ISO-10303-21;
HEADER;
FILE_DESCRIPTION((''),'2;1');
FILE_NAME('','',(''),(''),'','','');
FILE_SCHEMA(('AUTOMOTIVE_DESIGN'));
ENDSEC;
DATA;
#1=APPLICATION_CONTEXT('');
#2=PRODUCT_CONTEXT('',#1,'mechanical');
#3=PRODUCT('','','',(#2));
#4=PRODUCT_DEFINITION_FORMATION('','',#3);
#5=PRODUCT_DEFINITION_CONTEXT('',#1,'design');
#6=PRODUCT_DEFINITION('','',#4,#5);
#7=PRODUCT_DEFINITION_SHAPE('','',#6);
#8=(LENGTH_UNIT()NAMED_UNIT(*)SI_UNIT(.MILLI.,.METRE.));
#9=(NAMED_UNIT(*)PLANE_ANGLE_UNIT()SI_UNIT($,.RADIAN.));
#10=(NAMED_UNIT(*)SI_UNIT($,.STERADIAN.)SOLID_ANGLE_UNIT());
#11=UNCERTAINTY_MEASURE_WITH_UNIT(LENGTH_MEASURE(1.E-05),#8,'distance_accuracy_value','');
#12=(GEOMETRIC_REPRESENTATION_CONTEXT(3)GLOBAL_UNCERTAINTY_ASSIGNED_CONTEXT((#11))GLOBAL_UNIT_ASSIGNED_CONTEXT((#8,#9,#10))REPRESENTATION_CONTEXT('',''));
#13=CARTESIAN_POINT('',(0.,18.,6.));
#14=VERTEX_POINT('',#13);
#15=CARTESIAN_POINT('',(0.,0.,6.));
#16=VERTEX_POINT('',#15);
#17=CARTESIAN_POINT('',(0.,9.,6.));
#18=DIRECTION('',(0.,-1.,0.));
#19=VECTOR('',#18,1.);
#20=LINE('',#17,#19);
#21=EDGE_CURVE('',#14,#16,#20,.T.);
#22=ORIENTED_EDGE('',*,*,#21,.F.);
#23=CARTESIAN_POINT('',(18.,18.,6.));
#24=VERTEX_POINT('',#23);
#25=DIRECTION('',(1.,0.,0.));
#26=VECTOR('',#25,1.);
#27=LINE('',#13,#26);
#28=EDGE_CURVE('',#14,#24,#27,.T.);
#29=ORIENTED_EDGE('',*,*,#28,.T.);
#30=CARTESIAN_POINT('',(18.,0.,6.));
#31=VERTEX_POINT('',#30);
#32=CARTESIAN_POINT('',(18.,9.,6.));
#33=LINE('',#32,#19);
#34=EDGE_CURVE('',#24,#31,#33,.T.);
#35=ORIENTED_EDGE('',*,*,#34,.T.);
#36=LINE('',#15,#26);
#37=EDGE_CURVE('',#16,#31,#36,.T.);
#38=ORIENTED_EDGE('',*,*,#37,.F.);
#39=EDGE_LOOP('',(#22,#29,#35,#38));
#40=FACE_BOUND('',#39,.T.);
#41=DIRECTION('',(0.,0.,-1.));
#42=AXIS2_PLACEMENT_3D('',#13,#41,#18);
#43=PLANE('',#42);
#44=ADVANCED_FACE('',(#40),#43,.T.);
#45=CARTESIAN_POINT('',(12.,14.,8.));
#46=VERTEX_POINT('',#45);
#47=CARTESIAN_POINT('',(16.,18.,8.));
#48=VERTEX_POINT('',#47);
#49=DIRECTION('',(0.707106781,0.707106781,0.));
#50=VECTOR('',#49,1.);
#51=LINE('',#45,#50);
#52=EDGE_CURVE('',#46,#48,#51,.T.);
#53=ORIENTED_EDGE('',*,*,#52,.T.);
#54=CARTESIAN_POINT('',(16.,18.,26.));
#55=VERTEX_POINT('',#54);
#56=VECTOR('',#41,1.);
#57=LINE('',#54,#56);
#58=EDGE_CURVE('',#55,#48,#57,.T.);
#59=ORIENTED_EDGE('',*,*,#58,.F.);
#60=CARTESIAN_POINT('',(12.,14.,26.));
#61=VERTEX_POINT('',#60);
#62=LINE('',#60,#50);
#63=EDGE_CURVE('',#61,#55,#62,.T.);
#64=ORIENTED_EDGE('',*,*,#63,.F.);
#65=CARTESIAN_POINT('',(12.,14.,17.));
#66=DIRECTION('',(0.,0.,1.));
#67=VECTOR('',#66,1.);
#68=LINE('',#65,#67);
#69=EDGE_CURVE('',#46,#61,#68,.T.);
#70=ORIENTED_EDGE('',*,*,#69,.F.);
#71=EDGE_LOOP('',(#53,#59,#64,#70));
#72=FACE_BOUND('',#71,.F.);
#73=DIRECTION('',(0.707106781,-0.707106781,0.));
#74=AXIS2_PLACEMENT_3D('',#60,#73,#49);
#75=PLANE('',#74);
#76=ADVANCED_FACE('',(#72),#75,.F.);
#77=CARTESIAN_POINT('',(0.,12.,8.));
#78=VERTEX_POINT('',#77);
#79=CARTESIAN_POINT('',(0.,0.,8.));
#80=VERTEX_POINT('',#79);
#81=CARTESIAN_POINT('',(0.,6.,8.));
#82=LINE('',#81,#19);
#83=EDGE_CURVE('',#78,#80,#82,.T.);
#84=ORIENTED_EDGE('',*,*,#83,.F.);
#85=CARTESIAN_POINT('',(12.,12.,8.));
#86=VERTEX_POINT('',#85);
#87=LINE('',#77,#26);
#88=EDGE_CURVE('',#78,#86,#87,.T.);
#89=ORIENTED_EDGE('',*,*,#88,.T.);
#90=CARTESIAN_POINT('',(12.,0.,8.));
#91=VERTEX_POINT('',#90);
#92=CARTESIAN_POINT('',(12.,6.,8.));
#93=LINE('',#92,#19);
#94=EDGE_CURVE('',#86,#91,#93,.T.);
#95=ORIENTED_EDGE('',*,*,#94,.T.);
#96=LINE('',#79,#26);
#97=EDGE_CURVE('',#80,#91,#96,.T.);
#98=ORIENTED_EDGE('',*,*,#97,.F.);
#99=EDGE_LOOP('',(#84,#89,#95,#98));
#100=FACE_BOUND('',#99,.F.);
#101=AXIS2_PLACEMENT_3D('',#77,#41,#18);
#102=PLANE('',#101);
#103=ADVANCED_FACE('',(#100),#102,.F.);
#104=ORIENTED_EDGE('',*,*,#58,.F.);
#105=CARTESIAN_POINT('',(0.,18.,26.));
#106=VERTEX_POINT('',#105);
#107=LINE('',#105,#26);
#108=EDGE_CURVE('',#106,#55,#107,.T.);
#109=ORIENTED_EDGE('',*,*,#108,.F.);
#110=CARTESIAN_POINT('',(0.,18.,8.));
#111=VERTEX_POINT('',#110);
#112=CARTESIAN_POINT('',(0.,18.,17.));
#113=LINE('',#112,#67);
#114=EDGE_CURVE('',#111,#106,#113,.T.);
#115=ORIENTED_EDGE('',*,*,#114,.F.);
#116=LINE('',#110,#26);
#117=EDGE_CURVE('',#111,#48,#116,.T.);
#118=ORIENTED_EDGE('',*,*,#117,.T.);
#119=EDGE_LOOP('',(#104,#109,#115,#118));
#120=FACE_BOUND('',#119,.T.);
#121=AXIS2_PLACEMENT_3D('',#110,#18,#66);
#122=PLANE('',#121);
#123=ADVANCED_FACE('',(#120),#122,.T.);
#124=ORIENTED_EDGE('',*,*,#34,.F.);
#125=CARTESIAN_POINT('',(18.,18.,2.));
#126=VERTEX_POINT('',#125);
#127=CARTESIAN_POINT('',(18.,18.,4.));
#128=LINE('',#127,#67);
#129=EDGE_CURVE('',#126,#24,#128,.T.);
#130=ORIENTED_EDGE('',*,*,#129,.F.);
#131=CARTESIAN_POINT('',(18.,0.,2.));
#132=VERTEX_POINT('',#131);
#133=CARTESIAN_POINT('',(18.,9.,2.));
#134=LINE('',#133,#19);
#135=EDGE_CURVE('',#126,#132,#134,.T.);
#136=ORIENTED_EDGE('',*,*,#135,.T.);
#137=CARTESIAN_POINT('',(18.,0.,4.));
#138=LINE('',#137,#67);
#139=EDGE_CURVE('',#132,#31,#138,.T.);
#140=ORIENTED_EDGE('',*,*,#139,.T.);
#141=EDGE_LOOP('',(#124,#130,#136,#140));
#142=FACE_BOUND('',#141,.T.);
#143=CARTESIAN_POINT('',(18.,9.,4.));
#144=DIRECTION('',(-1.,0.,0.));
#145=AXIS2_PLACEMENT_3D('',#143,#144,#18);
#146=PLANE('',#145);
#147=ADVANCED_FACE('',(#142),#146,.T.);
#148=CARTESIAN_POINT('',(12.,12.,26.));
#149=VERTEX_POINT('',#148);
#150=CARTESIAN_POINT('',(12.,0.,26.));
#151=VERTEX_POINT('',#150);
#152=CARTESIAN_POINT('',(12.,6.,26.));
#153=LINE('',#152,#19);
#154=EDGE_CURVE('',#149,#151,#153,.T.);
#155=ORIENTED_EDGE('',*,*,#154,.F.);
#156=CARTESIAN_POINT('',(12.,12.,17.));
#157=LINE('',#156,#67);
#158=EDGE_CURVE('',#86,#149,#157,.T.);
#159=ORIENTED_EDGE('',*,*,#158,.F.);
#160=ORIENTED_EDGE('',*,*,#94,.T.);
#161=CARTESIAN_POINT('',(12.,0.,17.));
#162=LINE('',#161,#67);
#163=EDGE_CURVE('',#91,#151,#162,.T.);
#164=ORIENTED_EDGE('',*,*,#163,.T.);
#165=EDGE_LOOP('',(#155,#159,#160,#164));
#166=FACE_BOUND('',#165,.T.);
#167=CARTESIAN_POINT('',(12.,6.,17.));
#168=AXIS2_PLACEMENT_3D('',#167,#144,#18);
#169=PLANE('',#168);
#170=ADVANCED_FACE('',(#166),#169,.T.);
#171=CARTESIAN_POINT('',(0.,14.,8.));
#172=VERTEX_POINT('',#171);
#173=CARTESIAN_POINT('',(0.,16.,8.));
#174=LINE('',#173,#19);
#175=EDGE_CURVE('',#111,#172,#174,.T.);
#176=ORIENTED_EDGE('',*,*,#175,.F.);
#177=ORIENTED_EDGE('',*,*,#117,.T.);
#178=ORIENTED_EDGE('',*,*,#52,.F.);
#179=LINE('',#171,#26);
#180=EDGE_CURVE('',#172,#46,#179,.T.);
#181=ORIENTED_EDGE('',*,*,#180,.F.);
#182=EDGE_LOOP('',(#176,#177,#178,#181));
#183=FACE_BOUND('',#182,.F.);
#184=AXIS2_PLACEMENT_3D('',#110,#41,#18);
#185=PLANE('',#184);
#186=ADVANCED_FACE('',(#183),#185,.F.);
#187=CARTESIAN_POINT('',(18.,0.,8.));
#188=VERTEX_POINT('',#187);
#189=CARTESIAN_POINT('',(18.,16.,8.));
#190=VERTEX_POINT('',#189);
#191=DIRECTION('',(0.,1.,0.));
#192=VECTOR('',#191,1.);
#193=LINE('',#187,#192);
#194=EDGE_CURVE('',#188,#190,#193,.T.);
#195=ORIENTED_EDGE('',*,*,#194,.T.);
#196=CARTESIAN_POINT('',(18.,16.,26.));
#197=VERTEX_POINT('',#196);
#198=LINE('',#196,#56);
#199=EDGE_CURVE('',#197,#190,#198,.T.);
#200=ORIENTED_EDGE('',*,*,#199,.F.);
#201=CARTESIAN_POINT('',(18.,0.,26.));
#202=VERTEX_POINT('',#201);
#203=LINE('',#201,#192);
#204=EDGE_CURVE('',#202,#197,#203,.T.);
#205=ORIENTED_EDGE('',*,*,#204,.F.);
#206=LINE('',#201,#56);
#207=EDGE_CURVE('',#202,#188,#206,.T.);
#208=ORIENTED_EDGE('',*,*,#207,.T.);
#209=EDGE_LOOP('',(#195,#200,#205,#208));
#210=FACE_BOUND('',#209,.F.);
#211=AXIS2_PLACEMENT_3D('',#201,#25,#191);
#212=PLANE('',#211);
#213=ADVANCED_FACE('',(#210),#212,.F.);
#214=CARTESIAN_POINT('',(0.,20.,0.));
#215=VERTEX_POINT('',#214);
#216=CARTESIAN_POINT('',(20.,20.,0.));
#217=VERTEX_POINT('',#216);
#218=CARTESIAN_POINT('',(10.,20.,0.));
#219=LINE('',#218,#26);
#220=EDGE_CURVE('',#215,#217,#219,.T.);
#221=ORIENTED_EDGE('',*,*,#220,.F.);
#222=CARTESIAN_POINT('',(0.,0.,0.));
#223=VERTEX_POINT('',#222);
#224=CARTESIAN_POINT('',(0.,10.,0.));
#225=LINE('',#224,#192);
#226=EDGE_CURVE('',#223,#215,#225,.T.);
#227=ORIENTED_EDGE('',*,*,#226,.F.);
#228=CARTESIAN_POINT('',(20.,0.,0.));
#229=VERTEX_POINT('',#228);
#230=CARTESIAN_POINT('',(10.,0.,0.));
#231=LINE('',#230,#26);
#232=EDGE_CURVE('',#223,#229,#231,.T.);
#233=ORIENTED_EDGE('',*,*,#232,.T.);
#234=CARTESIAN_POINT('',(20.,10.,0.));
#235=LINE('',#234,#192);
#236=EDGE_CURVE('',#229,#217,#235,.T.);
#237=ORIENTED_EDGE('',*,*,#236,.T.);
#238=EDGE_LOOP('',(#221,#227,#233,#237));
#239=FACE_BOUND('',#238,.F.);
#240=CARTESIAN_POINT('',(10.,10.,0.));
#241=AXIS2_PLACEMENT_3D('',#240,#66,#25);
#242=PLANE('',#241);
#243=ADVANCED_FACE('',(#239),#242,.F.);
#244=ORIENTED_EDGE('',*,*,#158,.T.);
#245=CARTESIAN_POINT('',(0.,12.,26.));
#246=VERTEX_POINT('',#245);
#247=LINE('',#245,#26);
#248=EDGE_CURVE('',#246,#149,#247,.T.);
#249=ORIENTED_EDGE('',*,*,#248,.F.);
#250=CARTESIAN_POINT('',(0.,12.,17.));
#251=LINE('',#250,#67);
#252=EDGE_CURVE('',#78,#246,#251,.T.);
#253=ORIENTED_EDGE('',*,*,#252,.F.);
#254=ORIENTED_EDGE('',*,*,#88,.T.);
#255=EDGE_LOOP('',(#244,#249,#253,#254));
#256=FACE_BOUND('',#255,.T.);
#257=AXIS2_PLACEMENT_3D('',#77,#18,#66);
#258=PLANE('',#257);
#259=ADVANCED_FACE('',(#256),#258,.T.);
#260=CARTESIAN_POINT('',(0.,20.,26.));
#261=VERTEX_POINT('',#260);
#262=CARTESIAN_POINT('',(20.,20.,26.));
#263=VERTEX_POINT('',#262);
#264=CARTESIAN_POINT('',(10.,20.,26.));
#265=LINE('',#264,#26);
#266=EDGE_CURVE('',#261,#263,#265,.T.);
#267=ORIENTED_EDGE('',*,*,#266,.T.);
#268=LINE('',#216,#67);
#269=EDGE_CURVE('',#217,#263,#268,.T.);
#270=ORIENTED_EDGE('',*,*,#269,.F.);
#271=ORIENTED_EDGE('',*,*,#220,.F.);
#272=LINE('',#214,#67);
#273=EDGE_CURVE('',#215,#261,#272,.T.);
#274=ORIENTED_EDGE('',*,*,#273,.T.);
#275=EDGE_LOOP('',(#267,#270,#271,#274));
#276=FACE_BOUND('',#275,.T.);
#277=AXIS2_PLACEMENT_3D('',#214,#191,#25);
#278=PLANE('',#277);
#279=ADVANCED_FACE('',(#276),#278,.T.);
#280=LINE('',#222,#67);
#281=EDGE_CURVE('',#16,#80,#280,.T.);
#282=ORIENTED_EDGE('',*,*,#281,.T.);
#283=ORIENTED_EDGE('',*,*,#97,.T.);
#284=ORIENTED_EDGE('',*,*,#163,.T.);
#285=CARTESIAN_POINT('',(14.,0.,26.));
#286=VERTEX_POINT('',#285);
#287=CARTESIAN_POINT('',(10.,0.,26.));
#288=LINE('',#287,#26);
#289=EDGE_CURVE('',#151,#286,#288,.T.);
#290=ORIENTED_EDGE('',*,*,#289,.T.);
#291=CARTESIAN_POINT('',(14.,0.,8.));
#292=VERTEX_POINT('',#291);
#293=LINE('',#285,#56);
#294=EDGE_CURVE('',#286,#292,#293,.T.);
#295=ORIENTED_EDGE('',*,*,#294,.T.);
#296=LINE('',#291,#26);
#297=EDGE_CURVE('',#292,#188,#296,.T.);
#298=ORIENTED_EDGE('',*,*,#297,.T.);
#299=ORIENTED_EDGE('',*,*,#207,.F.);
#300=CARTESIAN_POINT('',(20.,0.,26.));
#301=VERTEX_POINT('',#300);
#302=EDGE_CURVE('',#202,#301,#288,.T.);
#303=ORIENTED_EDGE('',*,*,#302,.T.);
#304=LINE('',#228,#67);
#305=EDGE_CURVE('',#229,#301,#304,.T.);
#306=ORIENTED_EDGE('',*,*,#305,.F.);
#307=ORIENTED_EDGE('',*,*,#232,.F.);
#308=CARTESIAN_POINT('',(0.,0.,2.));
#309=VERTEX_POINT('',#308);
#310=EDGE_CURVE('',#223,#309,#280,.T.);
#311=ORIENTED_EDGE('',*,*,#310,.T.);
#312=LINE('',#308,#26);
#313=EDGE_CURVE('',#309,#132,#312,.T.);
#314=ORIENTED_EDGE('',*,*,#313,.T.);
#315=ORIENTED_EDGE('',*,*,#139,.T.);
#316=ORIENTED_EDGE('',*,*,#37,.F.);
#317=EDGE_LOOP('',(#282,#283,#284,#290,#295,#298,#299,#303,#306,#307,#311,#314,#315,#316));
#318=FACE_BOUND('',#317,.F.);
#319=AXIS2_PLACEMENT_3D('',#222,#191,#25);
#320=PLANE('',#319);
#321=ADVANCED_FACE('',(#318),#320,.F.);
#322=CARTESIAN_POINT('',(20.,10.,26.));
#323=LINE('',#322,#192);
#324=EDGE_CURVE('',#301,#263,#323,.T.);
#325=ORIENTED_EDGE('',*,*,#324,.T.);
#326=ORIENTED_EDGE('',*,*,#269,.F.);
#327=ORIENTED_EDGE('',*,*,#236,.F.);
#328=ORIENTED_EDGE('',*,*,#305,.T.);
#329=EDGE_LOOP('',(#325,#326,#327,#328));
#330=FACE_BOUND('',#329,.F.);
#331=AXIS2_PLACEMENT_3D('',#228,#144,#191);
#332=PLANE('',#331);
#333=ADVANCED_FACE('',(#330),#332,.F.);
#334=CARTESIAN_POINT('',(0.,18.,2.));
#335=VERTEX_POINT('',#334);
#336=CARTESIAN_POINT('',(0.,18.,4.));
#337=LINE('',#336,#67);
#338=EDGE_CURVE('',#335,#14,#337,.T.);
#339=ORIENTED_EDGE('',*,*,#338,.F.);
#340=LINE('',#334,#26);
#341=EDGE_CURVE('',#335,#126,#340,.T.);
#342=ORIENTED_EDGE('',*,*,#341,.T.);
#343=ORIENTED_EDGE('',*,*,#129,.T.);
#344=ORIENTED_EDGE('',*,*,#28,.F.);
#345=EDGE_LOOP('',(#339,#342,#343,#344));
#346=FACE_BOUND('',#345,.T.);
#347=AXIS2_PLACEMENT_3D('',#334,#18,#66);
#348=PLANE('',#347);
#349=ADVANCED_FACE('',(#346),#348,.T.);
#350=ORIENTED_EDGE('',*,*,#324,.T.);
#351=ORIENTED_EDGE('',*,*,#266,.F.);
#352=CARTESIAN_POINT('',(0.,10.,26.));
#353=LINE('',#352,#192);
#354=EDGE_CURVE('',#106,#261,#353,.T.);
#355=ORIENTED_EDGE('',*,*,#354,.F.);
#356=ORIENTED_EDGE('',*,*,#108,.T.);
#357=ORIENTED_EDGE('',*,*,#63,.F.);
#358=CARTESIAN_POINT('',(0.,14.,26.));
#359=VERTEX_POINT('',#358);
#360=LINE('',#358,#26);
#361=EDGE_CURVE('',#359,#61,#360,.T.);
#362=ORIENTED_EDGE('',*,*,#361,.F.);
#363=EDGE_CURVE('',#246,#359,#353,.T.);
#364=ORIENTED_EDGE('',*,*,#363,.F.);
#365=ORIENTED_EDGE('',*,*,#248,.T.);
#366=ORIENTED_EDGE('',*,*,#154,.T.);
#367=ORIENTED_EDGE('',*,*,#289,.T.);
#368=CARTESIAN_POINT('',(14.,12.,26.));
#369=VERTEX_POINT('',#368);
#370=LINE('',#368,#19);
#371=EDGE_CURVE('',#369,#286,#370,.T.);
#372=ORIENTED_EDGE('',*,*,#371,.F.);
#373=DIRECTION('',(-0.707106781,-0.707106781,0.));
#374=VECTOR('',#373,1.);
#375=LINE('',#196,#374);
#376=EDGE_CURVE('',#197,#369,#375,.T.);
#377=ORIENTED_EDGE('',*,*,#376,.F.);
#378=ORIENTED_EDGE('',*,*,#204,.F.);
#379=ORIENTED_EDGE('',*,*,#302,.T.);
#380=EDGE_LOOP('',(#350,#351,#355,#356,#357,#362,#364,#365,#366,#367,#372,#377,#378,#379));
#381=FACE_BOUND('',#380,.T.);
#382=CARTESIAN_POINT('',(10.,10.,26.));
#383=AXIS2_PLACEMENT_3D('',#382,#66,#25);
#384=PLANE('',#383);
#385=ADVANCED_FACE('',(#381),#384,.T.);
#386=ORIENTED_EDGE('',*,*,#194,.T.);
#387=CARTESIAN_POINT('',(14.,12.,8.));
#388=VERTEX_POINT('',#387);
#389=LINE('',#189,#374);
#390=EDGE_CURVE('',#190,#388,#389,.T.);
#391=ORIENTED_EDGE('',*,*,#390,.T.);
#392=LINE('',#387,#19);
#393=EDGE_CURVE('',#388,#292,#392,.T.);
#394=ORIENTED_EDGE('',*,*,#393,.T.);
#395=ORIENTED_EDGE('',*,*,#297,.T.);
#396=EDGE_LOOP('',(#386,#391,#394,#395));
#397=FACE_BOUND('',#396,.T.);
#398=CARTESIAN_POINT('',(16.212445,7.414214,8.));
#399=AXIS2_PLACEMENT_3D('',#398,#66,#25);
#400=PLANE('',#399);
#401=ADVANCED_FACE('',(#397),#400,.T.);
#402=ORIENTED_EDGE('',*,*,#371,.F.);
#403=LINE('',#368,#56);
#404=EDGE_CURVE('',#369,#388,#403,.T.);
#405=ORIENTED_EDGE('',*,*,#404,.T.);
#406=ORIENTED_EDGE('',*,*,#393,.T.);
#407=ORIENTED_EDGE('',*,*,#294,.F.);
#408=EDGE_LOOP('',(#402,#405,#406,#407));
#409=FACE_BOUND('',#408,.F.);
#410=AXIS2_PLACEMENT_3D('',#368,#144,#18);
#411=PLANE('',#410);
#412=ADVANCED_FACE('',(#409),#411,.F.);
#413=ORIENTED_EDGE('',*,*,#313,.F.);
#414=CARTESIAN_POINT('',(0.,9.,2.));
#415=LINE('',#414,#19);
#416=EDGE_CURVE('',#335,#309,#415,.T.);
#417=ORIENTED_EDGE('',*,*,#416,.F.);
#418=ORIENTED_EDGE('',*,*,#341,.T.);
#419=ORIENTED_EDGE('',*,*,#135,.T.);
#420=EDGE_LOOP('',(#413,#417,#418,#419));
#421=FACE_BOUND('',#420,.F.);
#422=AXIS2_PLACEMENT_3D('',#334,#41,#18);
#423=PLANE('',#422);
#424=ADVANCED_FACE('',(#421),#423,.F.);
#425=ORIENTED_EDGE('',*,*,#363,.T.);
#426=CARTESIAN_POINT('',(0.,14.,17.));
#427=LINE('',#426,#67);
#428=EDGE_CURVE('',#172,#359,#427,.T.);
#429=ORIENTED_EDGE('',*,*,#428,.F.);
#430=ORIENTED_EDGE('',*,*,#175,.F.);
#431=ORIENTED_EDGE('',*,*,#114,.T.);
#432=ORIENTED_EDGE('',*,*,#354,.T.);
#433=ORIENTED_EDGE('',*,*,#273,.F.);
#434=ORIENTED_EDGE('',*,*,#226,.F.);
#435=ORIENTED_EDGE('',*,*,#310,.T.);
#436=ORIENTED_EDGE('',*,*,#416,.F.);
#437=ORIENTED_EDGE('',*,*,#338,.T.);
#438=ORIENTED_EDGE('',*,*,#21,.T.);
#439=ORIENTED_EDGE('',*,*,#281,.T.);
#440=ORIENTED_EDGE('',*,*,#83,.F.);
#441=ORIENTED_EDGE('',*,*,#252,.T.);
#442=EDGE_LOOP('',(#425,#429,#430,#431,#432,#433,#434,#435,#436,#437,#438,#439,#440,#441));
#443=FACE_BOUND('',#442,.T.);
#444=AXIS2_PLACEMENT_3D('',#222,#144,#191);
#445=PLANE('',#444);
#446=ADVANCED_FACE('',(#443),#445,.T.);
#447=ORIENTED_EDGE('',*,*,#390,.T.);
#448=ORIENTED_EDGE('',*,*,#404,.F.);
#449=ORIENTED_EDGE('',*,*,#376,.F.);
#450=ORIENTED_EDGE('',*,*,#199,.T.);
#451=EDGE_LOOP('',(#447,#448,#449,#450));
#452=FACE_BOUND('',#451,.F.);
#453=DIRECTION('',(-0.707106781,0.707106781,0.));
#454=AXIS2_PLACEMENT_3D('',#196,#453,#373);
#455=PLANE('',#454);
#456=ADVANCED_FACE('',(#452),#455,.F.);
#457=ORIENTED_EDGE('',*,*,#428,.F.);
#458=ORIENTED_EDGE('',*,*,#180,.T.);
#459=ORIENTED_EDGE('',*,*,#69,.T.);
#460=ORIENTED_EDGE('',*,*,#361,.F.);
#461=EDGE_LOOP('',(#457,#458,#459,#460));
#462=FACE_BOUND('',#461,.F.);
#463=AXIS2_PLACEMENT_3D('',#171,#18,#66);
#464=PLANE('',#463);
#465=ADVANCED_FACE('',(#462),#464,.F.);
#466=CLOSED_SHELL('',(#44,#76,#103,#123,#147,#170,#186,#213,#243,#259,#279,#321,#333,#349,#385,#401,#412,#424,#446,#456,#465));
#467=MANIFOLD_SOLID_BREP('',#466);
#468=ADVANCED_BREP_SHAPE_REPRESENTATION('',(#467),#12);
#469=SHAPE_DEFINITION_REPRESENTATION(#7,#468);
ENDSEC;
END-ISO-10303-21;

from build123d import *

# Parameters (mm, degrees)
F0_W     = 20
F0_H     = 20
F1_DEPTH = 26
F2_W     = 12
F2_H     = 18
F3_DEPTH = 12
F4_W     = 18
F4_H     = 4
F5_DEPTH = 18
F6_W     = 4
F6_H     = 18
F7_DEPTH = 12
F9_DEPTH = 18


with BuildPart() as f1:
    # F0 (on Top) → F1 (new body)
    with BuildSketch(Plane.XY):
        with Locations((10, 10)):
            Rectangle(F0_W, F0_H)
    extrude(amount=F1_DEPTH)

    # F2 (on face) → F3 (cut)
    with BuildSketch(Plane(origin=(0, 0, 0), x_dir=(0, -1, 0), z_dir=(-1, 0, 0))):
        with Locations((-6, 17)):
            Rectangle(F2_W, F2_H)
    extrude(amount=-F3_DEPTH, mode=Mode.SUBTRACT)

    # F4 (on face) → F5 (cut)
    with BuildSketch(Plane(origin=(0, 0, 0), x_dir=(0, -1, 0), z_dir=(-1, 0, 0))):
        with Locations((-9, 4)):
            Rectangle(F4_W, F4_H)
    extrude(amount=-F5_DEPTH, mode=Mode.SUBTRACT)

    # F6 (on face) → F7 (cut)
    with BuildSketch(Plane(origin=(0, 0, 0), x_dir=(0, -1, 0), z_dir=(-1, 0, 0))):
        with Locations((-16, 17)):
            Rectangle(F6_W, F6_H)
    extrude(amount=-F7_DEPTH, mode=Mode.SUBTRACT)

    # F8 (on face) → F9 (cut)
    with BuildSketch(Plane.XY.offset(26)):
        Polygon((12, 18), (12, 14), (16, 18), align=None)
        Polygon((18, 16), (14, 12), (14, 0), (18, 0), (18, 12), align=None)
    extrude(amount=-F9_DEPTH, mode=Mode.SUBTRACT)


solid = f1.part
